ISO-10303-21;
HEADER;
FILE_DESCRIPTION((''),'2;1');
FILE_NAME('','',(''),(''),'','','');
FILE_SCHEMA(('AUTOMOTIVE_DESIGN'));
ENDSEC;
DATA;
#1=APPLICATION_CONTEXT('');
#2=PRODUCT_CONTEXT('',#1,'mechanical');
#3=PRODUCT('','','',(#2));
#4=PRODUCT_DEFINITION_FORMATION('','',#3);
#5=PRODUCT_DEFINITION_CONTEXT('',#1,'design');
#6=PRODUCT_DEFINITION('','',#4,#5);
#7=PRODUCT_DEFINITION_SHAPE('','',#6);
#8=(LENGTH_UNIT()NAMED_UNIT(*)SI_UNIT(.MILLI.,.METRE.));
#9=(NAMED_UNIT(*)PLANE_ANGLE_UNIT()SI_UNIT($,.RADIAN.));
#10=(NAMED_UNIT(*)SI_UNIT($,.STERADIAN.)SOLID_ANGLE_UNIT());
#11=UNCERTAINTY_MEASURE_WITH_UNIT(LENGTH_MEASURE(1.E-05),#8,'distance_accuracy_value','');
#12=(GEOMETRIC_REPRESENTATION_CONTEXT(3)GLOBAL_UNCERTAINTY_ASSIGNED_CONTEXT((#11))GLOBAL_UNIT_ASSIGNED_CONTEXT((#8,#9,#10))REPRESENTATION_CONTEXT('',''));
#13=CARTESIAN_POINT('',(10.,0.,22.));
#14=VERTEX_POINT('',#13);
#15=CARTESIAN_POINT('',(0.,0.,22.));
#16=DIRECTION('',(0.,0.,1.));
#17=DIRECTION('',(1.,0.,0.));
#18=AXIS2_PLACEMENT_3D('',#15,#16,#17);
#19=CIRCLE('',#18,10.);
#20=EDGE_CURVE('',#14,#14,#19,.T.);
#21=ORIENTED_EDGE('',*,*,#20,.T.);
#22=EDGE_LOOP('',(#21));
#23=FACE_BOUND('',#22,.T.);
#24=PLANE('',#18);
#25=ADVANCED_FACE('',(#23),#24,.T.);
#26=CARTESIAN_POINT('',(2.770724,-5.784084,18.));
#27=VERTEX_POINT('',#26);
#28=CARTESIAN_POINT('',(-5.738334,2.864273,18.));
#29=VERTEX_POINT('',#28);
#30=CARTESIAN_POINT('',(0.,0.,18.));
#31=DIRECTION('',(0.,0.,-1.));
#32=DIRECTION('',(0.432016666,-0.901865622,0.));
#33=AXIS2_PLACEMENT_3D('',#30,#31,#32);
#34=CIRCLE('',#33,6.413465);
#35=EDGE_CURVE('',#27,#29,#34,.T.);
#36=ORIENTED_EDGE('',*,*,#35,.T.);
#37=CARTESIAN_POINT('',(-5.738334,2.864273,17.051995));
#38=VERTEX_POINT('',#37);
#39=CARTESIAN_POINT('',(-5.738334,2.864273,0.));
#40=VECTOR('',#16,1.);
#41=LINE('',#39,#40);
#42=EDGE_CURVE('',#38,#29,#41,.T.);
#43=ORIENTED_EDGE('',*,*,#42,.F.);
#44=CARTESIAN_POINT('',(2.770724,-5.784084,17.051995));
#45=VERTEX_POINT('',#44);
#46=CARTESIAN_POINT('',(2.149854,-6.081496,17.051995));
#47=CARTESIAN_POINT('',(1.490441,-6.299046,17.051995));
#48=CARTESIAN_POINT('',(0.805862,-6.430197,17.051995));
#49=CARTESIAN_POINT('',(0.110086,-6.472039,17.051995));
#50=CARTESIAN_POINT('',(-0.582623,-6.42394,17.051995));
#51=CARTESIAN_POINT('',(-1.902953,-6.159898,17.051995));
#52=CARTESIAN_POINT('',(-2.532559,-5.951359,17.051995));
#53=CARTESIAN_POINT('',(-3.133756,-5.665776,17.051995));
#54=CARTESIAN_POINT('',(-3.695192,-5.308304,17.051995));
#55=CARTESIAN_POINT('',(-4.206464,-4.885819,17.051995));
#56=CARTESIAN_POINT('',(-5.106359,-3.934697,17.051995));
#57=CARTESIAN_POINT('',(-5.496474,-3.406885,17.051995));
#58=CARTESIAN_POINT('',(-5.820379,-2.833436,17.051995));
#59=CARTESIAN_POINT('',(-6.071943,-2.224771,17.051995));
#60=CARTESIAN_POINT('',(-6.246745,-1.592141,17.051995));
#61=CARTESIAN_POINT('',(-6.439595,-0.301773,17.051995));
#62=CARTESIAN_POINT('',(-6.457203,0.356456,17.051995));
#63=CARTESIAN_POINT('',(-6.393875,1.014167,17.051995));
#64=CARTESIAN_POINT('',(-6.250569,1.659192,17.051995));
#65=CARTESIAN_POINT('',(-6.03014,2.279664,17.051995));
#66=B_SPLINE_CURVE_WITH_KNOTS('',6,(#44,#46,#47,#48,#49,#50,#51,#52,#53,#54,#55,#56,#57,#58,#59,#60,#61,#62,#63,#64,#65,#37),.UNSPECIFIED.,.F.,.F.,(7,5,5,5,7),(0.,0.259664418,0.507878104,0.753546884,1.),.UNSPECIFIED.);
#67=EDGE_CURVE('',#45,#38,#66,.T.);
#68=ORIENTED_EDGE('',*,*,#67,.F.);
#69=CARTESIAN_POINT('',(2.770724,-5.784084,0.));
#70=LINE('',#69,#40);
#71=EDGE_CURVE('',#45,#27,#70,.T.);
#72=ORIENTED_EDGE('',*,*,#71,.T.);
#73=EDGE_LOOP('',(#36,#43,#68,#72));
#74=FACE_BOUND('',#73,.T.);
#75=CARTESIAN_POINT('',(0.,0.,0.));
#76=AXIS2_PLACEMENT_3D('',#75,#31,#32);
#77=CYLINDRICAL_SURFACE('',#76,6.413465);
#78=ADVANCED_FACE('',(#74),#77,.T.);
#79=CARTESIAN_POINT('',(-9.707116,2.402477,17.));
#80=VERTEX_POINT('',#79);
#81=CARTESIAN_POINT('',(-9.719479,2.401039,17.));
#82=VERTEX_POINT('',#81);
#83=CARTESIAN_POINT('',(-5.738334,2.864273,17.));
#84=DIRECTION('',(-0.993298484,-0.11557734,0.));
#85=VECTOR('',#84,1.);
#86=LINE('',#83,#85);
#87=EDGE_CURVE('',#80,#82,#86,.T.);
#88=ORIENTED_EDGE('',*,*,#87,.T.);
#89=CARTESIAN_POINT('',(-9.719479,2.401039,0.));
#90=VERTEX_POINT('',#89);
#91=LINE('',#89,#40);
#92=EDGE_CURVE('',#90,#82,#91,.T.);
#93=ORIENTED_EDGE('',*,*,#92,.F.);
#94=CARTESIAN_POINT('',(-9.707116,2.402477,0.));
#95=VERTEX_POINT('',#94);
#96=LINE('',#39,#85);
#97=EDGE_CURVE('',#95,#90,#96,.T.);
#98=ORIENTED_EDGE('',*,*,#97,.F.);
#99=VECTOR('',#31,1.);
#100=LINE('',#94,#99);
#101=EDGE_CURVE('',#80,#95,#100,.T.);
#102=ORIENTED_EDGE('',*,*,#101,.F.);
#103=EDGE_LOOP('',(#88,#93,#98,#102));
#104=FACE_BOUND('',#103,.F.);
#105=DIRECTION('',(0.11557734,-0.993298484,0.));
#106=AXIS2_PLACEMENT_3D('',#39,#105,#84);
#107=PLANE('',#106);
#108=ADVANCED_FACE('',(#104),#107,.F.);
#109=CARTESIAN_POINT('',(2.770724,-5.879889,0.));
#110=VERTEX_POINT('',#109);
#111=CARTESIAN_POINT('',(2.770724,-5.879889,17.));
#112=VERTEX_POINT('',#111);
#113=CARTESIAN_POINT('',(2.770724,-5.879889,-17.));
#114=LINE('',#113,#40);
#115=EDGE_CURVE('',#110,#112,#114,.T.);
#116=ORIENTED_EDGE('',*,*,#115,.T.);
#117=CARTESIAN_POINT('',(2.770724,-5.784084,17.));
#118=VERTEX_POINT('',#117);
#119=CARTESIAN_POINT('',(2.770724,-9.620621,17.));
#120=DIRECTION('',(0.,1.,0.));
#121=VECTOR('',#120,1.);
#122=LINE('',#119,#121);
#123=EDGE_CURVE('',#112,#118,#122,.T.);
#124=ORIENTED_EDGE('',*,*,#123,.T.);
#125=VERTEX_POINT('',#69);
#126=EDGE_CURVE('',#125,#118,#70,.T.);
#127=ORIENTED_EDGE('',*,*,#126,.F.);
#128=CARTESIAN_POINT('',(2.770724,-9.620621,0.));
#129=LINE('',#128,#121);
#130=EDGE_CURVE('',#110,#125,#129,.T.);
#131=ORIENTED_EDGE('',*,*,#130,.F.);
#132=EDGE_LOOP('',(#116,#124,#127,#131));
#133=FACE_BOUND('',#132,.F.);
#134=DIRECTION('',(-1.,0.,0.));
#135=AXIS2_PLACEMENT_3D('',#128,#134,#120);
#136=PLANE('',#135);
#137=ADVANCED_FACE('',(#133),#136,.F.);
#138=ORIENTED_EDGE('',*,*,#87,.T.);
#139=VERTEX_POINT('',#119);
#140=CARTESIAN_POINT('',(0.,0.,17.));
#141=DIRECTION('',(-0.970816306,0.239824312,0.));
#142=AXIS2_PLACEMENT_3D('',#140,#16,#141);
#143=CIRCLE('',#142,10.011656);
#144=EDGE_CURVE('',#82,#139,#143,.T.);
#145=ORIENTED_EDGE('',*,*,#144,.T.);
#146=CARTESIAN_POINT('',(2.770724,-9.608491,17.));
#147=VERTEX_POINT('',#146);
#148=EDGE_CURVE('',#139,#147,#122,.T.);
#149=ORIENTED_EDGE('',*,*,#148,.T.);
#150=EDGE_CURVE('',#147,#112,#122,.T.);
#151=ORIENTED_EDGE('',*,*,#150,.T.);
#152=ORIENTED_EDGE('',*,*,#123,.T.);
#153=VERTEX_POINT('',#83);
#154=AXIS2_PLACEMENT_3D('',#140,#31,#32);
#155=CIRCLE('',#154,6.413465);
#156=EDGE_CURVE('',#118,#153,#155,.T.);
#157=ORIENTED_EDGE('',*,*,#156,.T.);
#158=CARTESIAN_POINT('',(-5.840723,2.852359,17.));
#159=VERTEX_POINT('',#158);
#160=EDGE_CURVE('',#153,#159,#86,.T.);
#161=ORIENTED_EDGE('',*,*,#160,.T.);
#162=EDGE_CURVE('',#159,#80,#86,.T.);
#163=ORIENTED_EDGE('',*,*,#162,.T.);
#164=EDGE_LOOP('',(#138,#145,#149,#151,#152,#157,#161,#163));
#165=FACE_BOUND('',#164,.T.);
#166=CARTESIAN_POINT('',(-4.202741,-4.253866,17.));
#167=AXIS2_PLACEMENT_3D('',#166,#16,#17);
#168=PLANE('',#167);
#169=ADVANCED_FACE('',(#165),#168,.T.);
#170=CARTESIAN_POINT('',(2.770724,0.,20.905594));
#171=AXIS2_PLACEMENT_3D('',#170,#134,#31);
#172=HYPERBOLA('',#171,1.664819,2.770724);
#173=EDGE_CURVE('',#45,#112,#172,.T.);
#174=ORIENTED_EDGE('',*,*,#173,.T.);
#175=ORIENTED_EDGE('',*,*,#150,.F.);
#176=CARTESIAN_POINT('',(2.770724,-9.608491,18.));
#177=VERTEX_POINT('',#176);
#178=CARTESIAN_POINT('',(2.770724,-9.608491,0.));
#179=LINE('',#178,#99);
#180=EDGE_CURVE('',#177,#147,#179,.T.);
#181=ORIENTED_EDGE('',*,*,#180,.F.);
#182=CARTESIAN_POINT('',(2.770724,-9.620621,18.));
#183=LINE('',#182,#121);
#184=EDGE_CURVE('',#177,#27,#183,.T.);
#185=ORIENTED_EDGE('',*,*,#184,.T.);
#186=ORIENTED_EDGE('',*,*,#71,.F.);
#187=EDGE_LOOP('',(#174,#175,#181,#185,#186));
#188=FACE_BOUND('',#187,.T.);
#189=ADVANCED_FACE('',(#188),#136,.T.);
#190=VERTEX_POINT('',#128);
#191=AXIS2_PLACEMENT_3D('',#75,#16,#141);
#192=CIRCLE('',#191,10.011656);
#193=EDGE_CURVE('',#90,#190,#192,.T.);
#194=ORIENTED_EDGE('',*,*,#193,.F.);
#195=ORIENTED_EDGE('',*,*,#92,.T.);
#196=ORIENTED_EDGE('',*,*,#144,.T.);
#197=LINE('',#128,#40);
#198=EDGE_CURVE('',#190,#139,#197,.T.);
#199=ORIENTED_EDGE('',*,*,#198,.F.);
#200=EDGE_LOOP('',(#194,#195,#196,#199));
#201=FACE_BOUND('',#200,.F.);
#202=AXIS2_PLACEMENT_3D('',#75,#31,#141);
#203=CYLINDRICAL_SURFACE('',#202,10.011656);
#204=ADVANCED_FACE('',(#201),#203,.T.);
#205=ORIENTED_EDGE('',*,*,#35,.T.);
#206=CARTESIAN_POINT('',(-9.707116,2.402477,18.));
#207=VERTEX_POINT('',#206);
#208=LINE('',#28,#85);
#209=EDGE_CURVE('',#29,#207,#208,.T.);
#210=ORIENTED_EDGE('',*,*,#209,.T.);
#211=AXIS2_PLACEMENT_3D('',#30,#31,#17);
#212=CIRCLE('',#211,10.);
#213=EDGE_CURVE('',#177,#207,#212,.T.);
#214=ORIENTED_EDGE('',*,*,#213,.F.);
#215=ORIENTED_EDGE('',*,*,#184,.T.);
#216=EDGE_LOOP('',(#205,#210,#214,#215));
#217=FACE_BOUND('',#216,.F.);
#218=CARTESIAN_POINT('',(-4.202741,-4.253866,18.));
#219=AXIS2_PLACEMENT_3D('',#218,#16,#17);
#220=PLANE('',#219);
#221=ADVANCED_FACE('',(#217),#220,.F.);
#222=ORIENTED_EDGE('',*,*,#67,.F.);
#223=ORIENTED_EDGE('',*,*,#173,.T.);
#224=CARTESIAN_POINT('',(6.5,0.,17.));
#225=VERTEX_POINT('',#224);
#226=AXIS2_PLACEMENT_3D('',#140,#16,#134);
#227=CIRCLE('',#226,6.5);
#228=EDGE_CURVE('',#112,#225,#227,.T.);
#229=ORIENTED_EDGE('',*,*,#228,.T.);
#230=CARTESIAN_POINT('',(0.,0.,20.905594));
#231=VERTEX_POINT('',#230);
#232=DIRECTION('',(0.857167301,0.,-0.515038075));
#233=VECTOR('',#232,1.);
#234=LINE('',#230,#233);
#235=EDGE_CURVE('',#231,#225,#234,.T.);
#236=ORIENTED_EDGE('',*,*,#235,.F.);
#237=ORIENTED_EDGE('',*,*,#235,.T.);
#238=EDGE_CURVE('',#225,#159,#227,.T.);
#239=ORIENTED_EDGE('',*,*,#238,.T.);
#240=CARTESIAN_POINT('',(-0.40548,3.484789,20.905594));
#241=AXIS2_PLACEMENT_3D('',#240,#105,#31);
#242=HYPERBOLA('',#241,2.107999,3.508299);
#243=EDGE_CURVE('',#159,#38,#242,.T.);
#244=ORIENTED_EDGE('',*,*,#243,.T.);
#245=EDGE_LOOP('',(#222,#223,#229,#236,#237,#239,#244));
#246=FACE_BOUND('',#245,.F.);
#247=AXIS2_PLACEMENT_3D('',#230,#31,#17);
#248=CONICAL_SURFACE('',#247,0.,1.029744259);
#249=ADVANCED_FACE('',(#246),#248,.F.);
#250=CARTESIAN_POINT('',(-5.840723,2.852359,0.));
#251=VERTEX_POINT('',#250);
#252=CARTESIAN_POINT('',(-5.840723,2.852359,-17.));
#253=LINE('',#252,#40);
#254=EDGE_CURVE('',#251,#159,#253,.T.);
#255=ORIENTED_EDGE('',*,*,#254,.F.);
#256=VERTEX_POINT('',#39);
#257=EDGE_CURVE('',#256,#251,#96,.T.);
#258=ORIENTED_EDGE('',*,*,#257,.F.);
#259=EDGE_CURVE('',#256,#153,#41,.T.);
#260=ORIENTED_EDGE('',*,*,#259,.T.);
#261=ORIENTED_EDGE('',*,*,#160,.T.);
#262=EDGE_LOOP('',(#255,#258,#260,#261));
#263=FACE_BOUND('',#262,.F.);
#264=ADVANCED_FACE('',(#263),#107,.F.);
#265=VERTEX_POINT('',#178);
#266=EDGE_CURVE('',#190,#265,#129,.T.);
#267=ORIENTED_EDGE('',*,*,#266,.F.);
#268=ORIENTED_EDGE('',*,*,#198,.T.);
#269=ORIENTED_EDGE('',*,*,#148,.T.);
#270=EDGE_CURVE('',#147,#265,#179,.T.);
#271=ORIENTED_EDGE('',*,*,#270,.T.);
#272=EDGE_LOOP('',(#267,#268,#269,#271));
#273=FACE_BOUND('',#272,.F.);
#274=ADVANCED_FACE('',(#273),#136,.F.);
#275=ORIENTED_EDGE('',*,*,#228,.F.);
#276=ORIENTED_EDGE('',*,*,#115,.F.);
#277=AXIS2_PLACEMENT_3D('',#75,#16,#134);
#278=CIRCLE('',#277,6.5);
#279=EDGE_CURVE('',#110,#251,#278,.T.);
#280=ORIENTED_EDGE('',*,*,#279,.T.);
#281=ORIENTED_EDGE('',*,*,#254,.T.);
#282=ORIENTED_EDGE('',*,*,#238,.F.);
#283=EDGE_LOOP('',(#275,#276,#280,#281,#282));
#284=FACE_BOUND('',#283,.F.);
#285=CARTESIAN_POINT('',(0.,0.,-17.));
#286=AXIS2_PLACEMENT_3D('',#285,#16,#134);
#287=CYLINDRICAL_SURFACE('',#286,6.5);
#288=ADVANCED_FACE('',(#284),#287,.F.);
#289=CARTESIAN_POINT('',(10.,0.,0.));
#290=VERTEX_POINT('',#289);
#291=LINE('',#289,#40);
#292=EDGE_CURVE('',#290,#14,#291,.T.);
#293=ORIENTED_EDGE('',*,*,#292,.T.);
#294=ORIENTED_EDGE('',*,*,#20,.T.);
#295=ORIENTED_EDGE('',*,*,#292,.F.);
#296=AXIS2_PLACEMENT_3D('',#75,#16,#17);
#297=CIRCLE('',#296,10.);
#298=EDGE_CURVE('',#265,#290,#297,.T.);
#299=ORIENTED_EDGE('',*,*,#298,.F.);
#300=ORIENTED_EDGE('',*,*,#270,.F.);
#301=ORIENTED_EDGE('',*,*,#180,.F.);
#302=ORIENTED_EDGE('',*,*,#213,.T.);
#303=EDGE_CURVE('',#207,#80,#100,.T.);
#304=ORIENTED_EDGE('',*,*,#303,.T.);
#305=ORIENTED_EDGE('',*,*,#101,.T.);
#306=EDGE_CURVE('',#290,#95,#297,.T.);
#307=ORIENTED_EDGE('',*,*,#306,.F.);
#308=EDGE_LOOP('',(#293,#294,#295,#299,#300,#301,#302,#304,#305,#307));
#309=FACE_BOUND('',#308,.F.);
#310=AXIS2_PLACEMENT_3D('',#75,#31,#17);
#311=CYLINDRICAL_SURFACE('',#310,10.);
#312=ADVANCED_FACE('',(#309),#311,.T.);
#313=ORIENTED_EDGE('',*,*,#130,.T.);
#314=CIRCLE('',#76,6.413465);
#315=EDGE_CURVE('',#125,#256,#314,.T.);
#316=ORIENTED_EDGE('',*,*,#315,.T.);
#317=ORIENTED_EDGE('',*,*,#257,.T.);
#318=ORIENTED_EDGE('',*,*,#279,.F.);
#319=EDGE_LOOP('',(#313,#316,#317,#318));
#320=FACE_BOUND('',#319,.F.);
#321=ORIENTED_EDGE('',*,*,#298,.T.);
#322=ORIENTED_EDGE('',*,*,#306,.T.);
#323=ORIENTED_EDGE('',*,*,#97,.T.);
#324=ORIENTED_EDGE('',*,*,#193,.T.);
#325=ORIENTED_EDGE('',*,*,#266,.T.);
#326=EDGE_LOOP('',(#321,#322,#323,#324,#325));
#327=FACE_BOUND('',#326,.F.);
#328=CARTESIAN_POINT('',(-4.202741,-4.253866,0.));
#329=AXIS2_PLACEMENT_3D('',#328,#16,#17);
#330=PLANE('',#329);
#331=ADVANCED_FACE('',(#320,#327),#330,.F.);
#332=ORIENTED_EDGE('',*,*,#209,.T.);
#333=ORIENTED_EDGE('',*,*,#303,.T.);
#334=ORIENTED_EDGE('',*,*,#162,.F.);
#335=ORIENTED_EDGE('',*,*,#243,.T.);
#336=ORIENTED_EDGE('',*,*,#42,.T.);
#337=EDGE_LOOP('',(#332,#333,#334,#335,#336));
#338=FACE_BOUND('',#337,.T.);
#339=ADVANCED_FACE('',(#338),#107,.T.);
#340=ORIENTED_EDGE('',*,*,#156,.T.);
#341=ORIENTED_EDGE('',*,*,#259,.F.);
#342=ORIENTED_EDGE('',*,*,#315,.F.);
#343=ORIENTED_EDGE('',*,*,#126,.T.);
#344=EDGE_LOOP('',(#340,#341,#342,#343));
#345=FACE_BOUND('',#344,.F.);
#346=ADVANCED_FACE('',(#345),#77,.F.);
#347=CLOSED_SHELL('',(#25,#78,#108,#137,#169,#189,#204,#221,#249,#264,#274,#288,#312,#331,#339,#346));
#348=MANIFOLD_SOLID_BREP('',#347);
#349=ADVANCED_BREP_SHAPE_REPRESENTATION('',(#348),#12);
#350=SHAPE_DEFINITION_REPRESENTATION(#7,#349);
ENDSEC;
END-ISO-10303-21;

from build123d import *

# Parameters (mm, degrees)
F0_R     = 10
F1_DEPTH = 22
F3_D     = 13
F3_DEPTH = 17
F3_TIP   = 3.9055940237
F5_DEPTH = 18
F6_DEPTH = 17


with BuildPart() as f1:
    # F0 (on Top) → F1 (new body)
    with BuildSketch(Plane.XY):
        Circle(F0_R)
    extrude(amount=F1_DEPTH)

    # F3
    with Locations(Plane(origin=(0, 0, 0), x_dir=(1, 0, 0), z_dir=(0, 0, -1))):
        with Locations((0, 0)):
            Hole(F3_D / 2, depth=F3_DEPTH)
            with Locations((0, 0, -(F3_DEPTH + F3_TIP / 2))):  # 118° drill point
                Cone(0, F3_D / 2, F3_TIP, mode=Mode.SUBTRACT)

    # F4 (on Top) → F5 (cut)
    with BuildSketch(Plane.XY):
        with BuildLine():
            Line((2.770723775, -9.6206208691), (2.770723775, -5.7840836234))
            ThreePointArc((2.770723775, -5.7840836234), (-4.5716731582, -4.4980371424), (-5.7383336819, 2.8642730588))
            Line((-5.7383336819, 2.8642730588), (-9.7194789065, 2.401038511))
            ThreePointArc((-9.7194789065, 2.401038511), (-6.9427208666, -7.2133129083), (2.770723775, -9.6206208691))
        make_face()
    extrude(amount=F5_DEPTH, mode=Mode.SUBTRACT)

    # F4 (on Top) → F6 (join)
    with BuildSketch(Plane.XY):
        with BuildLine():
            Line((2.770723775, -9.6206208691), (2.770723775, -5.7840836234))
            ThreePointArc((2.770723775, -5.7840836234), (-4.5716731582, -4.4980371424), (-5.7383336819, 2.8642730588))
            Line((-5.7383336819, 2.8642730588), (-9.7194789065, 2.401038511))
            ThreePointArc((-9.7194789065, 2.401038511), (-6.9427208666, -7.2133129083), (2.770723775, -9.6206208691))
        make_face()
    extrude(amount=F6_DEPTH)


solid = f1.part
